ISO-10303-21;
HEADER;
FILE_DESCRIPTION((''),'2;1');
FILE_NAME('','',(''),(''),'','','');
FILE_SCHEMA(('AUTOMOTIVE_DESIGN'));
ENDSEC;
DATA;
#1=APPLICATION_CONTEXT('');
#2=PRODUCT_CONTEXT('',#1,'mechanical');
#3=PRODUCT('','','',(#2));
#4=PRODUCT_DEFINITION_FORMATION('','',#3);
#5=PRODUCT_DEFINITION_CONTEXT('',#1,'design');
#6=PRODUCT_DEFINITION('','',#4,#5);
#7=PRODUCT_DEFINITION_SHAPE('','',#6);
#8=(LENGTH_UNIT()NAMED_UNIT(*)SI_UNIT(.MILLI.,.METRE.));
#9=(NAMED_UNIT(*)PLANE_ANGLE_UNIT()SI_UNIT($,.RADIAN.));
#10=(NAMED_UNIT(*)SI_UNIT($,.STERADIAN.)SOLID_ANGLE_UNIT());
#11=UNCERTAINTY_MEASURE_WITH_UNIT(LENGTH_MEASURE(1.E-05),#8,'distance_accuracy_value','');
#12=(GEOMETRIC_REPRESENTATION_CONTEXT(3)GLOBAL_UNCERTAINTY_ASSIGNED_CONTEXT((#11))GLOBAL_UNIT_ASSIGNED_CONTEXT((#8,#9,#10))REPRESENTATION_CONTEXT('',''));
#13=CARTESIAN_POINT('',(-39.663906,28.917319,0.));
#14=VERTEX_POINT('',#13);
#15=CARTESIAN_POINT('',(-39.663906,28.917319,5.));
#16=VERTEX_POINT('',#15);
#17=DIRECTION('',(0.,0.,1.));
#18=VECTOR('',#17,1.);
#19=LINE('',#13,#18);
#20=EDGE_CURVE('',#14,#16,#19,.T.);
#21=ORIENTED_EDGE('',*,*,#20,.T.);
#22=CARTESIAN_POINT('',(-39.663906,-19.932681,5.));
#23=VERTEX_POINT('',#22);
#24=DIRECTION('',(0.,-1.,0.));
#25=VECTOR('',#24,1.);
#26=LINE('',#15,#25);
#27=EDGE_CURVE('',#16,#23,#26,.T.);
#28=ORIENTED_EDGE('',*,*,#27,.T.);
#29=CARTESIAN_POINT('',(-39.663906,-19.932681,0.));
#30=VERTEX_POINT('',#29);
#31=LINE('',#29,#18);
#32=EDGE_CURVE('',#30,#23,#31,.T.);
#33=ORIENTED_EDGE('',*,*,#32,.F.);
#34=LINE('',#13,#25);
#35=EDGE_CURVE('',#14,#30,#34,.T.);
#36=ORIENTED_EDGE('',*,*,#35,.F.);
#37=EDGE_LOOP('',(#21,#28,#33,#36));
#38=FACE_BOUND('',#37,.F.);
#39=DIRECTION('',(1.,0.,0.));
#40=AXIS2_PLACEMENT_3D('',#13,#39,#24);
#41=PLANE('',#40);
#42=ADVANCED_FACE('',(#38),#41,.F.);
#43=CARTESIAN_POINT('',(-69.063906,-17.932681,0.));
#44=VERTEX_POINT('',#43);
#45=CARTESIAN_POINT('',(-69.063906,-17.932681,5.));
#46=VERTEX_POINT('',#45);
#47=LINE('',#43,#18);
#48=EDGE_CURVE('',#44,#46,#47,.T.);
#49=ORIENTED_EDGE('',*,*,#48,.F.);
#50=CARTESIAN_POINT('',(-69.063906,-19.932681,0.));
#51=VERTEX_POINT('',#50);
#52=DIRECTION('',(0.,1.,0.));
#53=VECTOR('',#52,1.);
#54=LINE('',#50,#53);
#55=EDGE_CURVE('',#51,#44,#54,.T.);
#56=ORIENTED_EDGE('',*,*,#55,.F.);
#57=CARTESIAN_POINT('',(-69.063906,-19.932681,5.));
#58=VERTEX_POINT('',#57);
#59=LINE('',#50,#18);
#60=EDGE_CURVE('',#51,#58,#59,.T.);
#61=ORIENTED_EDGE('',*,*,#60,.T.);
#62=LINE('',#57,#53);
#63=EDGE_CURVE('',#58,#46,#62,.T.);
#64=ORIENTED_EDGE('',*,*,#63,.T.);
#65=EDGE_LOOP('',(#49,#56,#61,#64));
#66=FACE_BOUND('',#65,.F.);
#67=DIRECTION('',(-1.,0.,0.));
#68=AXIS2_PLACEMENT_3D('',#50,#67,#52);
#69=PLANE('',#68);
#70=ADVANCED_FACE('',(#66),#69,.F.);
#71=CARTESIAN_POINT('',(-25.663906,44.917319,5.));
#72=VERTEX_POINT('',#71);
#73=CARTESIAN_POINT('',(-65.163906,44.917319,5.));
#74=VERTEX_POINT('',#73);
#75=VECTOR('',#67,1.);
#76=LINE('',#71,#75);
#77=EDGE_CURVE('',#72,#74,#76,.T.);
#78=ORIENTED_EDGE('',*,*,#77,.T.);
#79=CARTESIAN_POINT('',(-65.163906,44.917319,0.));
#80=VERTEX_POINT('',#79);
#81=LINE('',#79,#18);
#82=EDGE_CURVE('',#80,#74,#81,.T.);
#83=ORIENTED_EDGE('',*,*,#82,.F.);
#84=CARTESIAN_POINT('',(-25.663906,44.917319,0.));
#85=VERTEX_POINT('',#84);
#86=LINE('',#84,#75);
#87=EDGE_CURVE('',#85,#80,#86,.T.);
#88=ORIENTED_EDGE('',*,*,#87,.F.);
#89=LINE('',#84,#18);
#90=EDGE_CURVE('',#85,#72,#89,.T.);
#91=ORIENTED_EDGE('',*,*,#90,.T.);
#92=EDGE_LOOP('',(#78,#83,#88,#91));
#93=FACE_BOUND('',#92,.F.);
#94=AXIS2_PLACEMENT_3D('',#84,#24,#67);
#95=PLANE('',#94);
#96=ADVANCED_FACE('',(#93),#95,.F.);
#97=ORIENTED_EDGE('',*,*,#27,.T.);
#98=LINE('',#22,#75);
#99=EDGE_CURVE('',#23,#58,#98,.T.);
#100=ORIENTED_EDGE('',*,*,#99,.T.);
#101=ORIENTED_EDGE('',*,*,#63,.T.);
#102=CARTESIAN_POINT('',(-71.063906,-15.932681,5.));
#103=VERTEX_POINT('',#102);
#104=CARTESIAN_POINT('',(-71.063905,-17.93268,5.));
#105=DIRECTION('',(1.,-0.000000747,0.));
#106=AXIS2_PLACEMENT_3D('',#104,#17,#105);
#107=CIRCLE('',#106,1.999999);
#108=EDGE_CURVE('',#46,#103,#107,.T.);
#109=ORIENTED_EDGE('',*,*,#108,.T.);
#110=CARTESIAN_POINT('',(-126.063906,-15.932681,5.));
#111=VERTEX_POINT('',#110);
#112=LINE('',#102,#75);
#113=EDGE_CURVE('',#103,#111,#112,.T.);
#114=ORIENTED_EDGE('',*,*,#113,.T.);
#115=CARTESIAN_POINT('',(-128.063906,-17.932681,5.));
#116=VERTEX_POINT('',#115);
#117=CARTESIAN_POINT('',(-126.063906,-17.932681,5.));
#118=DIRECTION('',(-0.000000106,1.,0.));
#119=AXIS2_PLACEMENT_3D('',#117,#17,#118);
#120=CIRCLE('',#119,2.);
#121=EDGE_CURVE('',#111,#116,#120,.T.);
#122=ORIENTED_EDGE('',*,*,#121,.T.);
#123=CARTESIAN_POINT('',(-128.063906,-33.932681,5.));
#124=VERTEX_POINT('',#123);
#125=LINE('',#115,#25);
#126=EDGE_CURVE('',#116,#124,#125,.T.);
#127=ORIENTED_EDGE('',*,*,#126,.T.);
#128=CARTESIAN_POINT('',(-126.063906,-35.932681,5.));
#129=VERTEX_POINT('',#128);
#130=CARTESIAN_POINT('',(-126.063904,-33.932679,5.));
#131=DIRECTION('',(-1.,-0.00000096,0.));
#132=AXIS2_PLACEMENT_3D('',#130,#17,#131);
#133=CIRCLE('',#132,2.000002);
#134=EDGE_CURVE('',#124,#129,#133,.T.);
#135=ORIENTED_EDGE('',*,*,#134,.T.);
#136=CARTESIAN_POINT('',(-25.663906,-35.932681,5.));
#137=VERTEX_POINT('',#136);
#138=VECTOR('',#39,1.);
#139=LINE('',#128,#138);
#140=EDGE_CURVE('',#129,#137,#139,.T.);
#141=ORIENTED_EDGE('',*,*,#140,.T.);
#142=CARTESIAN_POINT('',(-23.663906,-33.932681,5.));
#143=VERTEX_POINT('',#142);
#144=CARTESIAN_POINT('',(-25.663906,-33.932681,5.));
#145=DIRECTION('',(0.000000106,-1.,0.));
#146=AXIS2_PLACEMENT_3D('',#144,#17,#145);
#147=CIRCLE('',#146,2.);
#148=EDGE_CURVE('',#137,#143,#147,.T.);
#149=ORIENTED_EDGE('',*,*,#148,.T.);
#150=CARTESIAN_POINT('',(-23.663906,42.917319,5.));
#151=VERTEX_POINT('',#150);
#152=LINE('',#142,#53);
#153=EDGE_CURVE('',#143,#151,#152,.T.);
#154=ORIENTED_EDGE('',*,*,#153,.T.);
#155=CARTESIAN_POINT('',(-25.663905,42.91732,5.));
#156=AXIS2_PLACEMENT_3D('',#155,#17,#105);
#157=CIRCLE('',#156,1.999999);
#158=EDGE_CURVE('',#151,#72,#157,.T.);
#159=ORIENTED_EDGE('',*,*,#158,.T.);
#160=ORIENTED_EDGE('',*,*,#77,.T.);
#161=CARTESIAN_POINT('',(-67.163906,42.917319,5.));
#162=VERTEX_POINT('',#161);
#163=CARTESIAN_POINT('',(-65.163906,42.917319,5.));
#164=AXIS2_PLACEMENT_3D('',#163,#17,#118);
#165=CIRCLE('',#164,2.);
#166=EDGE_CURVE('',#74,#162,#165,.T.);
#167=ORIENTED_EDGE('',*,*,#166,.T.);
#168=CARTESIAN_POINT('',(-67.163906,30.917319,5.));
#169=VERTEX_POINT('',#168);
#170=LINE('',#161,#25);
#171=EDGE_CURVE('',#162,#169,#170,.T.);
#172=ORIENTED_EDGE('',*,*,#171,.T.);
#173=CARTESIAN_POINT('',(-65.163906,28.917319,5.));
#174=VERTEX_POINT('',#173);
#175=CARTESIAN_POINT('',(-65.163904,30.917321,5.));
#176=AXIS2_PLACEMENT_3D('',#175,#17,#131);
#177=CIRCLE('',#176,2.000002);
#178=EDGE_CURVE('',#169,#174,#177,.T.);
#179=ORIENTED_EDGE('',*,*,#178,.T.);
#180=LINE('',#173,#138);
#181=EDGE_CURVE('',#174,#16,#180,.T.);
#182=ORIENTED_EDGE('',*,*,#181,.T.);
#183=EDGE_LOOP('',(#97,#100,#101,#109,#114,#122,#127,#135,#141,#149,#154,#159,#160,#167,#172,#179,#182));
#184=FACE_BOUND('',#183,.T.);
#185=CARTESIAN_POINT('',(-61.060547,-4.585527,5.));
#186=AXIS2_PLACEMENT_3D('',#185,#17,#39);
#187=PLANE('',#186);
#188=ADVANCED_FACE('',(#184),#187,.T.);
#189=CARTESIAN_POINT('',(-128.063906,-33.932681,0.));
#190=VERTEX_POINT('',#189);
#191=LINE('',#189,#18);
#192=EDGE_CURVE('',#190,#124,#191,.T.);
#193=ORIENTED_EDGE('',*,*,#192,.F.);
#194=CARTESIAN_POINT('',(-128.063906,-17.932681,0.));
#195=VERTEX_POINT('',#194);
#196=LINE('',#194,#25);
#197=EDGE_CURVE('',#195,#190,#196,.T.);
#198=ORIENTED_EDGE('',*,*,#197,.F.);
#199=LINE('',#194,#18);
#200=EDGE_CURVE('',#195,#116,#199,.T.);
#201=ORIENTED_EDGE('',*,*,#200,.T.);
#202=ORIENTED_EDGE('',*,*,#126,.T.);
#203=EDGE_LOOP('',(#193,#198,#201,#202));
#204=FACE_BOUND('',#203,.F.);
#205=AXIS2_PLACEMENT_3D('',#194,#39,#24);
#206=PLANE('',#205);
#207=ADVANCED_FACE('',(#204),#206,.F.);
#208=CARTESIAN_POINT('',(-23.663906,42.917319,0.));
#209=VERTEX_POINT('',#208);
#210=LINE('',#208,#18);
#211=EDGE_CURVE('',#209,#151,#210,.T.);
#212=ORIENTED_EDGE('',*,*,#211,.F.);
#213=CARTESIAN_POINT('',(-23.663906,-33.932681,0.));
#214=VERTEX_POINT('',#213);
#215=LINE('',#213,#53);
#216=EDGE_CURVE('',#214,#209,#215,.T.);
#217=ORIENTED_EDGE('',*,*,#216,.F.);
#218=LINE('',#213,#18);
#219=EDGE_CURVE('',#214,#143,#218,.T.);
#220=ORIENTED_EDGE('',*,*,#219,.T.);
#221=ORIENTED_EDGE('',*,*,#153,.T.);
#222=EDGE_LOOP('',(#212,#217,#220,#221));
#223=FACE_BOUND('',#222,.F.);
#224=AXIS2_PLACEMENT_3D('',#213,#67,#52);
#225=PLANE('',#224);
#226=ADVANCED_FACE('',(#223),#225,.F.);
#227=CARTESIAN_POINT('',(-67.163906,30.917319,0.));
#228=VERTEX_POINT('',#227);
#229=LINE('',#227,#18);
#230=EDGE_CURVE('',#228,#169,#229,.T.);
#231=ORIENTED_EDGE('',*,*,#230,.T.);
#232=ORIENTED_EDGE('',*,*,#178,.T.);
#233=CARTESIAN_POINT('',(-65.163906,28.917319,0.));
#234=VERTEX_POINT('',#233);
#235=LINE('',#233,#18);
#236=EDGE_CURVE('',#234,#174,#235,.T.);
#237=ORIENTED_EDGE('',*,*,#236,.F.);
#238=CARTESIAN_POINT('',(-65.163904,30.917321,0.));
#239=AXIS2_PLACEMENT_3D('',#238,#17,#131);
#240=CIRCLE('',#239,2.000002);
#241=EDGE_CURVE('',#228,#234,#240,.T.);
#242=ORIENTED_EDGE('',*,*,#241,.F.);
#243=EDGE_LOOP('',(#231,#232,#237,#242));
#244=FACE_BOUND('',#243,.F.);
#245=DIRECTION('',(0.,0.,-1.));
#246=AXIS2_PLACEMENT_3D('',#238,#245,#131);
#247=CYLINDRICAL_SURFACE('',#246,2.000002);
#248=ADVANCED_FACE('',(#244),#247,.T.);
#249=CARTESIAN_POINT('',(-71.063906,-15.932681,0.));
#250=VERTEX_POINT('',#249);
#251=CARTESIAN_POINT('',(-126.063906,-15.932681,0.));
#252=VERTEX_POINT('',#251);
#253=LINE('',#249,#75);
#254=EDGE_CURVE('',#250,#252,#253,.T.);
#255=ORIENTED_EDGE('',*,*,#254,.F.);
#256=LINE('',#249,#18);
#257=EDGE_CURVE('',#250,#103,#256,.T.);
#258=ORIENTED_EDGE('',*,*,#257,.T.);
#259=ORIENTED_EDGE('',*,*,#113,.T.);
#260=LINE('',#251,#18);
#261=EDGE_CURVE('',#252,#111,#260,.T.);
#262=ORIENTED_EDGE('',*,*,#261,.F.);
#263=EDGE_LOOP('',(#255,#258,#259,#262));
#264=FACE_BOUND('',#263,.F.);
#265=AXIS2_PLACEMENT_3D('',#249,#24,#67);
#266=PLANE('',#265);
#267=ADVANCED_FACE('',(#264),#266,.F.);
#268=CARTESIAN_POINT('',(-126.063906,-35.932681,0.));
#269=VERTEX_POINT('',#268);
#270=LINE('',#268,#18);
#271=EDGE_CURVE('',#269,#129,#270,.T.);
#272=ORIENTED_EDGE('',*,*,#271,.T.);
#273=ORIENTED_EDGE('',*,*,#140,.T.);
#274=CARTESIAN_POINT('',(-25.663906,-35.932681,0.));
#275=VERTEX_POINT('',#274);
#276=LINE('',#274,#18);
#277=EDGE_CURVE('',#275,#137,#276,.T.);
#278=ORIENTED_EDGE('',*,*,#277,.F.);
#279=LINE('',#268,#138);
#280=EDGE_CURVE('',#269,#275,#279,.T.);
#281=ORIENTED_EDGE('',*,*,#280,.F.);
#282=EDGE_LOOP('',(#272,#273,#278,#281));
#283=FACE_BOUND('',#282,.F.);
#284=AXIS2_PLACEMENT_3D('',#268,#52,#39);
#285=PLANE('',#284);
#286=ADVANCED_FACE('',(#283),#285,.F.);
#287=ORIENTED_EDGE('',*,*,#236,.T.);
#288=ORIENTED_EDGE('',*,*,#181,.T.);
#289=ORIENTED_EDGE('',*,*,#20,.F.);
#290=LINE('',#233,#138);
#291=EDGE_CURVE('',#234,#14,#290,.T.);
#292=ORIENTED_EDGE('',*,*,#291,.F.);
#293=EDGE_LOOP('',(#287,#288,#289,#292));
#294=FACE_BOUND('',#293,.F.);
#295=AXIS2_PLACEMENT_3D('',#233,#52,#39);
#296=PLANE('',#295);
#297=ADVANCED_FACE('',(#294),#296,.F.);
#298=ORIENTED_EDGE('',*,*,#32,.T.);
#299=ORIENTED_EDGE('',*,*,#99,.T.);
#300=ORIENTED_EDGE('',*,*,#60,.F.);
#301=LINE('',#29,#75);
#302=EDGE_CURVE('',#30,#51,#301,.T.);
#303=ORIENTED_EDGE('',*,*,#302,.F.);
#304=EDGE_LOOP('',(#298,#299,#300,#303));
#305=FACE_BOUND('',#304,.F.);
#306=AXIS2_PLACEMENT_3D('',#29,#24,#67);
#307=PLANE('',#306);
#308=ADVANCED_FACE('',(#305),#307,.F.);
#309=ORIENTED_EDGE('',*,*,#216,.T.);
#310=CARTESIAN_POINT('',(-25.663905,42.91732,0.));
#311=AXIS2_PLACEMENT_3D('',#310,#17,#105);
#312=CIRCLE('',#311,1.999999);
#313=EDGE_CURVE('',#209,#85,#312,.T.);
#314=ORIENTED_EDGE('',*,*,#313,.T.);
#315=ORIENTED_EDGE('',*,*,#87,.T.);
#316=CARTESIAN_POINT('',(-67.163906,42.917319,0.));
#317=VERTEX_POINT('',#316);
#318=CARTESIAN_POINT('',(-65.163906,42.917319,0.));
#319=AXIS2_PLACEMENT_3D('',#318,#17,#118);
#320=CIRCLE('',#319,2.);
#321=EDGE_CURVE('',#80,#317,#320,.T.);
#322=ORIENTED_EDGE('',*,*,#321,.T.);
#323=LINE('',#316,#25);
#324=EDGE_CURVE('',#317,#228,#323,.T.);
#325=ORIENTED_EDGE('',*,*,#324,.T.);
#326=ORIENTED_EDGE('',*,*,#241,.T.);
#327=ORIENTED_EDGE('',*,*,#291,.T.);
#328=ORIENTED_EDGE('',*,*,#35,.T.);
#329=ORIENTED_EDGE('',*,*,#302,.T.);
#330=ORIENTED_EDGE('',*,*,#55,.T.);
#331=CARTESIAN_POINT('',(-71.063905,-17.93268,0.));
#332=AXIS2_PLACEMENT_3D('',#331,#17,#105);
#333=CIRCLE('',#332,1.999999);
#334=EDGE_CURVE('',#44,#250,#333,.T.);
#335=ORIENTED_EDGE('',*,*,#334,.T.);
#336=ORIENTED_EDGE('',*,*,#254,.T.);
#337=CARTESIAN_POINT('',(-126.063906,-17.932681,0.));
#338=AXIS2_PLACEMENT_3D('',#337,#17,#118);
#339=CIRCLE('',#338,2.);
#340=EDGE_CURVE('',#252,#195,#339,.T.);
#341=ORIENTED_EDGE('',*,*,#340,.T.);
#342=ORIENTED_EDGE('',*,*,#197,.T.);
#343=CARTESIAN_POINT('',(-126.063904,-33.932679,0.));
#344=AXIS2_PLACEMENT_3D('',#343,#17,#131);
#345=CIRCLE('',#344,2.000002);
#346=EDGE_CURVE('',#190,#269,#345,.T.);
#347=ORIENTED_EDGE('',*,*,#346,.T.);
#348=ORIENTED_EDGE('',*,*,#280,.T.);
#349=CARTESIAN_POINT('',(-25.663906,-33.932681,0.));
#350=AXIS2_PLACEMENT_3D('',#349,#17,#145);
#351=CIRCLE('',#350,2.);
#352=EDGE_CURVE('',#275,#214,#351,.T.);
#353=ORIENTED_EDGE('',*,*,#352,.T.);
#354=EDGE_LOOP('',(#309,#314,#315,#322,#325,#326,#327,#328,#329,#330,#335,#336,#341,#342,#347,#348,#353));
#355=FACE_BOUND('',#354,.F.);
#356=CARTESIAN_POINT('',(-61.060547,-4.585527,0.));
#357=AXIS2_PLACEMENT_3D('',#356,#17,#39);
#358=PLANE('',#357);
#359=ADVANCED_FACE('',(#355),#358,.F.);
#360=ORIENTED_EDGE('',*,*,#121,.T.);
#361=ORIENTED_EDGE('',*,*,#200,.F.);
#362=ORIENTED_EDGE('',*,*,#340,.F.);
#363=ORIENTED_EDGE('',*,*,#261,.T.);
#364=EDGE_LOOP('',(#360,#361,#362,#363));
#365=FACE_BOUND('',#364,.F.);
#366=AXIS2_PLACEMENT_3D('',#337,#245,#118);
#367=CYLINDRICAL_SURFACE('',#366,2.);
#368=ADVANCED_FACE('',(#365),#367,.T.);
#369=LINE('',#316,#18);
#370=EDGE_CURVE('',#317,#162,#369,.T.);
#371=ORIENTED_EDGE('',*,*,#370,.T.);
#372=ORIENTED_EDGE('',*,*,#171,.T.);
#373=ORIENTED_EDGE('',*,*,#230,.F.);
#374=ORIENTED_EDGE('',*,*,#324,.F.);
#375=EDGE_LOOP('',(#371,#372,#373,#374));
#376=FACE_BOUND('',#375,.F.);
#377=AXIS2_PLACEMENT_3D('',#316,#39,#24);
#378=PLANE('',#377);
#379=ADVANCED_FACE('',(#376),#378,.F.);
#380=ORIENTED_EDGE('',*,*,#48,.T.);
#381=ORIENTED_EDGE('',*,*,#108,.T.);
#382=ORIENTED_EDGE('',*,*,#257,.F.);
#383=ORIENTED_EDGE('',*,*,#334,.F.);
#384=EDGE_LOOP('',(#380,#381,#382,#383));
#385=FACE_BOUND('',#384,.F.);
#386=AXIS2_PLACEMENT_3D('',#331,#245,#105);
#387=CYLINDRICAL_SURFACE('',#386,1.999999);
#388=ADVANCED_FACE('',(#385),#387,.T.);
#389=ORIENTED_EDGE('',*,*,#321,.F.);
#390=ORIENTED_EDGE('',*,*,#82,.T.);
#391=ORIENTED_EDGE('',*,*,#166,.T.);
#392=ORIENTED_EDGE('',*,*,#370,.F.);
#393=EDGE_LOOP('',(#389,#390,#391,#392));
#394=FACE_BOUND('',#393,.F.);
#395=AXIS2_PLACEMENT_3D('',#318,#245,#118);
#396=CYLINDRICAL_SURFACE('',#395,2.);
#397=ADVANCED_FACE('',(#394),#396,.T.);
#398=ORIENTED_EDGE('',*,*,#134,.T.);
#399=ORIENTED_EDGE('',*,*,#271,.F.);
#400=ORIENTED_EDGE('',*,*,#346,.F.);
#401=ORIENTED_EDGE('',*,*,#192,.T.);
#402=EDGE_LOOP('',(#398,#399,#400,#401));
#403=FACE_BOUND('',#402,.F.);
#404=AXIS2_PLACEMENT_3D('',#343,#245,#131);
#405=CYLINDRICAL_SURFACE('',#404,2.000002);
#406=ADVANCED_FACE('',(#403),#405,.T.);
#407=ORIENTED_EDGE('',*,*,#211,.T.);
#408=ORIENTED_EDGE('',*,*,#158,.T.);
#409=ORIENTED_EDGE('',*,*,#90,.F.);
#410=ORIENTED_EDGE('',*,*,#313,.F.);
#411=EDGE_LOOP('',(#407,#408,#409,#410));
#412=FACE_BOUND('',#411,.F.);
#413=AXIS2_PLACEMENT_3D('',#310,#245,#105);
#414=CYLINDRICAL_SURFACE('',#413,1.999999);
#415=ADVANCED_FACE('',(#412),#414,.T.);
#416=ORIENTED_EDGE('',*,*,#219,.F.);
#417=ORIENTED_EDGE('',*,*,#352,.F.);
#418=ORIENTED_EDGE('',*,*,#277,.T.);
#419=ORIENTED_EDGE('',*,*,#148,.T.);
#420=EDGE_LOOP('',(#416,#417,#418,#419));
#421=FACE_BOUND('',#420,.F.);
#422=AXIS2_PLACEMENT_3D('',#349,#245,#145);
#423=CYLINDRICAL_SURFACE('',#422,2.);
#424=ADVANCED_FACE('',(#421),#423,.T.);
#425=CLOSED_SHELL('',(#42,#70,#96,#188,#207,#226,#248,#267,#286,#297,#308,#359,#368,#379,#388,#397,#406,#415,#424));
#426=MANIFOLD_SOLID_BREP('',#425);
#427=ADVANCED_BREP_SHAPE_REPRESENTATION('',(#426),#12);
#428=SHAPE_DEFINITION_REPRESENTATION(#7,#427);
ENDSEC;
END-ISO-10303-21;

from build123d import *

# Parameters (mm, degrees)
F1_DEPTH = 5


with BuildPart() as f1:
    # F0 (on Top) → F1 (new body)
    with BuildSketch(Plane.XY):
        with BuildLine():
            ThreePointArc((-67.163906, 30.917319), (-66.578119, 29.503106), (-65.163906, 28.917319))
            Line((-65.163906, 28.917319), (-39.663906, 28.917319))
            Line((-39.663906, 28.917319), (-39.663906, -19.932681))
            Line((-39.663906, -19.932681), (-69.063906, -19.932681))
            Line((-69.063906, -19.932681), (-69.063906, -17.932681))
            ThreePointArc((-69.063906, -17.932681), (-69.649692, -16.518467), (-71.063906, -15.932681))
            Line((-71.063906, -15.932681), (-88.063906, -15.932681))
            Line((-88.063906, -15.932681), (-126.063906, -15.932681))
            ThreePointArc((-126.063906, -15.932681), (-127.478119, -16.518467), (-128.063906, -17.932681))
            Line((-128.063906, -17.932681), (-128.063906, -33.932681))
            ThreePointArc((-128.063906, -33.932681), (-127.478119, -35.346894), (-126.063906, -35.932681))
            Line((-126.063906, -35.932681), (-39.663906, -35.932681))
            Line((-39.663906, -35.932681), (-25.663906, -35.932681))
            ThreePointArc((-25.663906, -35.932681), (-24.249692, -35.346894), (-23.663906, -33.932681))
            Line((-23.663906, -33.932681), (-23.663906, -19.932681))
            Line((-23.663906, -19.932681), (-23.663906, 28.917319))
            Line((-23.663906, 28.917319), (-23.663906, 42.917319))
            ThreePointArc((-23.663906, 42.917319), (-24.249692, 44.331533), (-25.663906, 44.917319))
            Line((-25.663906, 44.917319), (-65.163906, 44.917319))
            ThreePointArc((-65.163906, 44.917319), (-66.578119, 44.331533), (-67.163906, 42.917319))
            Line((-67.163906, 42.917319), (-67.163906, 30.917319))
        make_face()
    extrude(amount=F1_DEPTH)


solid = f1.part
